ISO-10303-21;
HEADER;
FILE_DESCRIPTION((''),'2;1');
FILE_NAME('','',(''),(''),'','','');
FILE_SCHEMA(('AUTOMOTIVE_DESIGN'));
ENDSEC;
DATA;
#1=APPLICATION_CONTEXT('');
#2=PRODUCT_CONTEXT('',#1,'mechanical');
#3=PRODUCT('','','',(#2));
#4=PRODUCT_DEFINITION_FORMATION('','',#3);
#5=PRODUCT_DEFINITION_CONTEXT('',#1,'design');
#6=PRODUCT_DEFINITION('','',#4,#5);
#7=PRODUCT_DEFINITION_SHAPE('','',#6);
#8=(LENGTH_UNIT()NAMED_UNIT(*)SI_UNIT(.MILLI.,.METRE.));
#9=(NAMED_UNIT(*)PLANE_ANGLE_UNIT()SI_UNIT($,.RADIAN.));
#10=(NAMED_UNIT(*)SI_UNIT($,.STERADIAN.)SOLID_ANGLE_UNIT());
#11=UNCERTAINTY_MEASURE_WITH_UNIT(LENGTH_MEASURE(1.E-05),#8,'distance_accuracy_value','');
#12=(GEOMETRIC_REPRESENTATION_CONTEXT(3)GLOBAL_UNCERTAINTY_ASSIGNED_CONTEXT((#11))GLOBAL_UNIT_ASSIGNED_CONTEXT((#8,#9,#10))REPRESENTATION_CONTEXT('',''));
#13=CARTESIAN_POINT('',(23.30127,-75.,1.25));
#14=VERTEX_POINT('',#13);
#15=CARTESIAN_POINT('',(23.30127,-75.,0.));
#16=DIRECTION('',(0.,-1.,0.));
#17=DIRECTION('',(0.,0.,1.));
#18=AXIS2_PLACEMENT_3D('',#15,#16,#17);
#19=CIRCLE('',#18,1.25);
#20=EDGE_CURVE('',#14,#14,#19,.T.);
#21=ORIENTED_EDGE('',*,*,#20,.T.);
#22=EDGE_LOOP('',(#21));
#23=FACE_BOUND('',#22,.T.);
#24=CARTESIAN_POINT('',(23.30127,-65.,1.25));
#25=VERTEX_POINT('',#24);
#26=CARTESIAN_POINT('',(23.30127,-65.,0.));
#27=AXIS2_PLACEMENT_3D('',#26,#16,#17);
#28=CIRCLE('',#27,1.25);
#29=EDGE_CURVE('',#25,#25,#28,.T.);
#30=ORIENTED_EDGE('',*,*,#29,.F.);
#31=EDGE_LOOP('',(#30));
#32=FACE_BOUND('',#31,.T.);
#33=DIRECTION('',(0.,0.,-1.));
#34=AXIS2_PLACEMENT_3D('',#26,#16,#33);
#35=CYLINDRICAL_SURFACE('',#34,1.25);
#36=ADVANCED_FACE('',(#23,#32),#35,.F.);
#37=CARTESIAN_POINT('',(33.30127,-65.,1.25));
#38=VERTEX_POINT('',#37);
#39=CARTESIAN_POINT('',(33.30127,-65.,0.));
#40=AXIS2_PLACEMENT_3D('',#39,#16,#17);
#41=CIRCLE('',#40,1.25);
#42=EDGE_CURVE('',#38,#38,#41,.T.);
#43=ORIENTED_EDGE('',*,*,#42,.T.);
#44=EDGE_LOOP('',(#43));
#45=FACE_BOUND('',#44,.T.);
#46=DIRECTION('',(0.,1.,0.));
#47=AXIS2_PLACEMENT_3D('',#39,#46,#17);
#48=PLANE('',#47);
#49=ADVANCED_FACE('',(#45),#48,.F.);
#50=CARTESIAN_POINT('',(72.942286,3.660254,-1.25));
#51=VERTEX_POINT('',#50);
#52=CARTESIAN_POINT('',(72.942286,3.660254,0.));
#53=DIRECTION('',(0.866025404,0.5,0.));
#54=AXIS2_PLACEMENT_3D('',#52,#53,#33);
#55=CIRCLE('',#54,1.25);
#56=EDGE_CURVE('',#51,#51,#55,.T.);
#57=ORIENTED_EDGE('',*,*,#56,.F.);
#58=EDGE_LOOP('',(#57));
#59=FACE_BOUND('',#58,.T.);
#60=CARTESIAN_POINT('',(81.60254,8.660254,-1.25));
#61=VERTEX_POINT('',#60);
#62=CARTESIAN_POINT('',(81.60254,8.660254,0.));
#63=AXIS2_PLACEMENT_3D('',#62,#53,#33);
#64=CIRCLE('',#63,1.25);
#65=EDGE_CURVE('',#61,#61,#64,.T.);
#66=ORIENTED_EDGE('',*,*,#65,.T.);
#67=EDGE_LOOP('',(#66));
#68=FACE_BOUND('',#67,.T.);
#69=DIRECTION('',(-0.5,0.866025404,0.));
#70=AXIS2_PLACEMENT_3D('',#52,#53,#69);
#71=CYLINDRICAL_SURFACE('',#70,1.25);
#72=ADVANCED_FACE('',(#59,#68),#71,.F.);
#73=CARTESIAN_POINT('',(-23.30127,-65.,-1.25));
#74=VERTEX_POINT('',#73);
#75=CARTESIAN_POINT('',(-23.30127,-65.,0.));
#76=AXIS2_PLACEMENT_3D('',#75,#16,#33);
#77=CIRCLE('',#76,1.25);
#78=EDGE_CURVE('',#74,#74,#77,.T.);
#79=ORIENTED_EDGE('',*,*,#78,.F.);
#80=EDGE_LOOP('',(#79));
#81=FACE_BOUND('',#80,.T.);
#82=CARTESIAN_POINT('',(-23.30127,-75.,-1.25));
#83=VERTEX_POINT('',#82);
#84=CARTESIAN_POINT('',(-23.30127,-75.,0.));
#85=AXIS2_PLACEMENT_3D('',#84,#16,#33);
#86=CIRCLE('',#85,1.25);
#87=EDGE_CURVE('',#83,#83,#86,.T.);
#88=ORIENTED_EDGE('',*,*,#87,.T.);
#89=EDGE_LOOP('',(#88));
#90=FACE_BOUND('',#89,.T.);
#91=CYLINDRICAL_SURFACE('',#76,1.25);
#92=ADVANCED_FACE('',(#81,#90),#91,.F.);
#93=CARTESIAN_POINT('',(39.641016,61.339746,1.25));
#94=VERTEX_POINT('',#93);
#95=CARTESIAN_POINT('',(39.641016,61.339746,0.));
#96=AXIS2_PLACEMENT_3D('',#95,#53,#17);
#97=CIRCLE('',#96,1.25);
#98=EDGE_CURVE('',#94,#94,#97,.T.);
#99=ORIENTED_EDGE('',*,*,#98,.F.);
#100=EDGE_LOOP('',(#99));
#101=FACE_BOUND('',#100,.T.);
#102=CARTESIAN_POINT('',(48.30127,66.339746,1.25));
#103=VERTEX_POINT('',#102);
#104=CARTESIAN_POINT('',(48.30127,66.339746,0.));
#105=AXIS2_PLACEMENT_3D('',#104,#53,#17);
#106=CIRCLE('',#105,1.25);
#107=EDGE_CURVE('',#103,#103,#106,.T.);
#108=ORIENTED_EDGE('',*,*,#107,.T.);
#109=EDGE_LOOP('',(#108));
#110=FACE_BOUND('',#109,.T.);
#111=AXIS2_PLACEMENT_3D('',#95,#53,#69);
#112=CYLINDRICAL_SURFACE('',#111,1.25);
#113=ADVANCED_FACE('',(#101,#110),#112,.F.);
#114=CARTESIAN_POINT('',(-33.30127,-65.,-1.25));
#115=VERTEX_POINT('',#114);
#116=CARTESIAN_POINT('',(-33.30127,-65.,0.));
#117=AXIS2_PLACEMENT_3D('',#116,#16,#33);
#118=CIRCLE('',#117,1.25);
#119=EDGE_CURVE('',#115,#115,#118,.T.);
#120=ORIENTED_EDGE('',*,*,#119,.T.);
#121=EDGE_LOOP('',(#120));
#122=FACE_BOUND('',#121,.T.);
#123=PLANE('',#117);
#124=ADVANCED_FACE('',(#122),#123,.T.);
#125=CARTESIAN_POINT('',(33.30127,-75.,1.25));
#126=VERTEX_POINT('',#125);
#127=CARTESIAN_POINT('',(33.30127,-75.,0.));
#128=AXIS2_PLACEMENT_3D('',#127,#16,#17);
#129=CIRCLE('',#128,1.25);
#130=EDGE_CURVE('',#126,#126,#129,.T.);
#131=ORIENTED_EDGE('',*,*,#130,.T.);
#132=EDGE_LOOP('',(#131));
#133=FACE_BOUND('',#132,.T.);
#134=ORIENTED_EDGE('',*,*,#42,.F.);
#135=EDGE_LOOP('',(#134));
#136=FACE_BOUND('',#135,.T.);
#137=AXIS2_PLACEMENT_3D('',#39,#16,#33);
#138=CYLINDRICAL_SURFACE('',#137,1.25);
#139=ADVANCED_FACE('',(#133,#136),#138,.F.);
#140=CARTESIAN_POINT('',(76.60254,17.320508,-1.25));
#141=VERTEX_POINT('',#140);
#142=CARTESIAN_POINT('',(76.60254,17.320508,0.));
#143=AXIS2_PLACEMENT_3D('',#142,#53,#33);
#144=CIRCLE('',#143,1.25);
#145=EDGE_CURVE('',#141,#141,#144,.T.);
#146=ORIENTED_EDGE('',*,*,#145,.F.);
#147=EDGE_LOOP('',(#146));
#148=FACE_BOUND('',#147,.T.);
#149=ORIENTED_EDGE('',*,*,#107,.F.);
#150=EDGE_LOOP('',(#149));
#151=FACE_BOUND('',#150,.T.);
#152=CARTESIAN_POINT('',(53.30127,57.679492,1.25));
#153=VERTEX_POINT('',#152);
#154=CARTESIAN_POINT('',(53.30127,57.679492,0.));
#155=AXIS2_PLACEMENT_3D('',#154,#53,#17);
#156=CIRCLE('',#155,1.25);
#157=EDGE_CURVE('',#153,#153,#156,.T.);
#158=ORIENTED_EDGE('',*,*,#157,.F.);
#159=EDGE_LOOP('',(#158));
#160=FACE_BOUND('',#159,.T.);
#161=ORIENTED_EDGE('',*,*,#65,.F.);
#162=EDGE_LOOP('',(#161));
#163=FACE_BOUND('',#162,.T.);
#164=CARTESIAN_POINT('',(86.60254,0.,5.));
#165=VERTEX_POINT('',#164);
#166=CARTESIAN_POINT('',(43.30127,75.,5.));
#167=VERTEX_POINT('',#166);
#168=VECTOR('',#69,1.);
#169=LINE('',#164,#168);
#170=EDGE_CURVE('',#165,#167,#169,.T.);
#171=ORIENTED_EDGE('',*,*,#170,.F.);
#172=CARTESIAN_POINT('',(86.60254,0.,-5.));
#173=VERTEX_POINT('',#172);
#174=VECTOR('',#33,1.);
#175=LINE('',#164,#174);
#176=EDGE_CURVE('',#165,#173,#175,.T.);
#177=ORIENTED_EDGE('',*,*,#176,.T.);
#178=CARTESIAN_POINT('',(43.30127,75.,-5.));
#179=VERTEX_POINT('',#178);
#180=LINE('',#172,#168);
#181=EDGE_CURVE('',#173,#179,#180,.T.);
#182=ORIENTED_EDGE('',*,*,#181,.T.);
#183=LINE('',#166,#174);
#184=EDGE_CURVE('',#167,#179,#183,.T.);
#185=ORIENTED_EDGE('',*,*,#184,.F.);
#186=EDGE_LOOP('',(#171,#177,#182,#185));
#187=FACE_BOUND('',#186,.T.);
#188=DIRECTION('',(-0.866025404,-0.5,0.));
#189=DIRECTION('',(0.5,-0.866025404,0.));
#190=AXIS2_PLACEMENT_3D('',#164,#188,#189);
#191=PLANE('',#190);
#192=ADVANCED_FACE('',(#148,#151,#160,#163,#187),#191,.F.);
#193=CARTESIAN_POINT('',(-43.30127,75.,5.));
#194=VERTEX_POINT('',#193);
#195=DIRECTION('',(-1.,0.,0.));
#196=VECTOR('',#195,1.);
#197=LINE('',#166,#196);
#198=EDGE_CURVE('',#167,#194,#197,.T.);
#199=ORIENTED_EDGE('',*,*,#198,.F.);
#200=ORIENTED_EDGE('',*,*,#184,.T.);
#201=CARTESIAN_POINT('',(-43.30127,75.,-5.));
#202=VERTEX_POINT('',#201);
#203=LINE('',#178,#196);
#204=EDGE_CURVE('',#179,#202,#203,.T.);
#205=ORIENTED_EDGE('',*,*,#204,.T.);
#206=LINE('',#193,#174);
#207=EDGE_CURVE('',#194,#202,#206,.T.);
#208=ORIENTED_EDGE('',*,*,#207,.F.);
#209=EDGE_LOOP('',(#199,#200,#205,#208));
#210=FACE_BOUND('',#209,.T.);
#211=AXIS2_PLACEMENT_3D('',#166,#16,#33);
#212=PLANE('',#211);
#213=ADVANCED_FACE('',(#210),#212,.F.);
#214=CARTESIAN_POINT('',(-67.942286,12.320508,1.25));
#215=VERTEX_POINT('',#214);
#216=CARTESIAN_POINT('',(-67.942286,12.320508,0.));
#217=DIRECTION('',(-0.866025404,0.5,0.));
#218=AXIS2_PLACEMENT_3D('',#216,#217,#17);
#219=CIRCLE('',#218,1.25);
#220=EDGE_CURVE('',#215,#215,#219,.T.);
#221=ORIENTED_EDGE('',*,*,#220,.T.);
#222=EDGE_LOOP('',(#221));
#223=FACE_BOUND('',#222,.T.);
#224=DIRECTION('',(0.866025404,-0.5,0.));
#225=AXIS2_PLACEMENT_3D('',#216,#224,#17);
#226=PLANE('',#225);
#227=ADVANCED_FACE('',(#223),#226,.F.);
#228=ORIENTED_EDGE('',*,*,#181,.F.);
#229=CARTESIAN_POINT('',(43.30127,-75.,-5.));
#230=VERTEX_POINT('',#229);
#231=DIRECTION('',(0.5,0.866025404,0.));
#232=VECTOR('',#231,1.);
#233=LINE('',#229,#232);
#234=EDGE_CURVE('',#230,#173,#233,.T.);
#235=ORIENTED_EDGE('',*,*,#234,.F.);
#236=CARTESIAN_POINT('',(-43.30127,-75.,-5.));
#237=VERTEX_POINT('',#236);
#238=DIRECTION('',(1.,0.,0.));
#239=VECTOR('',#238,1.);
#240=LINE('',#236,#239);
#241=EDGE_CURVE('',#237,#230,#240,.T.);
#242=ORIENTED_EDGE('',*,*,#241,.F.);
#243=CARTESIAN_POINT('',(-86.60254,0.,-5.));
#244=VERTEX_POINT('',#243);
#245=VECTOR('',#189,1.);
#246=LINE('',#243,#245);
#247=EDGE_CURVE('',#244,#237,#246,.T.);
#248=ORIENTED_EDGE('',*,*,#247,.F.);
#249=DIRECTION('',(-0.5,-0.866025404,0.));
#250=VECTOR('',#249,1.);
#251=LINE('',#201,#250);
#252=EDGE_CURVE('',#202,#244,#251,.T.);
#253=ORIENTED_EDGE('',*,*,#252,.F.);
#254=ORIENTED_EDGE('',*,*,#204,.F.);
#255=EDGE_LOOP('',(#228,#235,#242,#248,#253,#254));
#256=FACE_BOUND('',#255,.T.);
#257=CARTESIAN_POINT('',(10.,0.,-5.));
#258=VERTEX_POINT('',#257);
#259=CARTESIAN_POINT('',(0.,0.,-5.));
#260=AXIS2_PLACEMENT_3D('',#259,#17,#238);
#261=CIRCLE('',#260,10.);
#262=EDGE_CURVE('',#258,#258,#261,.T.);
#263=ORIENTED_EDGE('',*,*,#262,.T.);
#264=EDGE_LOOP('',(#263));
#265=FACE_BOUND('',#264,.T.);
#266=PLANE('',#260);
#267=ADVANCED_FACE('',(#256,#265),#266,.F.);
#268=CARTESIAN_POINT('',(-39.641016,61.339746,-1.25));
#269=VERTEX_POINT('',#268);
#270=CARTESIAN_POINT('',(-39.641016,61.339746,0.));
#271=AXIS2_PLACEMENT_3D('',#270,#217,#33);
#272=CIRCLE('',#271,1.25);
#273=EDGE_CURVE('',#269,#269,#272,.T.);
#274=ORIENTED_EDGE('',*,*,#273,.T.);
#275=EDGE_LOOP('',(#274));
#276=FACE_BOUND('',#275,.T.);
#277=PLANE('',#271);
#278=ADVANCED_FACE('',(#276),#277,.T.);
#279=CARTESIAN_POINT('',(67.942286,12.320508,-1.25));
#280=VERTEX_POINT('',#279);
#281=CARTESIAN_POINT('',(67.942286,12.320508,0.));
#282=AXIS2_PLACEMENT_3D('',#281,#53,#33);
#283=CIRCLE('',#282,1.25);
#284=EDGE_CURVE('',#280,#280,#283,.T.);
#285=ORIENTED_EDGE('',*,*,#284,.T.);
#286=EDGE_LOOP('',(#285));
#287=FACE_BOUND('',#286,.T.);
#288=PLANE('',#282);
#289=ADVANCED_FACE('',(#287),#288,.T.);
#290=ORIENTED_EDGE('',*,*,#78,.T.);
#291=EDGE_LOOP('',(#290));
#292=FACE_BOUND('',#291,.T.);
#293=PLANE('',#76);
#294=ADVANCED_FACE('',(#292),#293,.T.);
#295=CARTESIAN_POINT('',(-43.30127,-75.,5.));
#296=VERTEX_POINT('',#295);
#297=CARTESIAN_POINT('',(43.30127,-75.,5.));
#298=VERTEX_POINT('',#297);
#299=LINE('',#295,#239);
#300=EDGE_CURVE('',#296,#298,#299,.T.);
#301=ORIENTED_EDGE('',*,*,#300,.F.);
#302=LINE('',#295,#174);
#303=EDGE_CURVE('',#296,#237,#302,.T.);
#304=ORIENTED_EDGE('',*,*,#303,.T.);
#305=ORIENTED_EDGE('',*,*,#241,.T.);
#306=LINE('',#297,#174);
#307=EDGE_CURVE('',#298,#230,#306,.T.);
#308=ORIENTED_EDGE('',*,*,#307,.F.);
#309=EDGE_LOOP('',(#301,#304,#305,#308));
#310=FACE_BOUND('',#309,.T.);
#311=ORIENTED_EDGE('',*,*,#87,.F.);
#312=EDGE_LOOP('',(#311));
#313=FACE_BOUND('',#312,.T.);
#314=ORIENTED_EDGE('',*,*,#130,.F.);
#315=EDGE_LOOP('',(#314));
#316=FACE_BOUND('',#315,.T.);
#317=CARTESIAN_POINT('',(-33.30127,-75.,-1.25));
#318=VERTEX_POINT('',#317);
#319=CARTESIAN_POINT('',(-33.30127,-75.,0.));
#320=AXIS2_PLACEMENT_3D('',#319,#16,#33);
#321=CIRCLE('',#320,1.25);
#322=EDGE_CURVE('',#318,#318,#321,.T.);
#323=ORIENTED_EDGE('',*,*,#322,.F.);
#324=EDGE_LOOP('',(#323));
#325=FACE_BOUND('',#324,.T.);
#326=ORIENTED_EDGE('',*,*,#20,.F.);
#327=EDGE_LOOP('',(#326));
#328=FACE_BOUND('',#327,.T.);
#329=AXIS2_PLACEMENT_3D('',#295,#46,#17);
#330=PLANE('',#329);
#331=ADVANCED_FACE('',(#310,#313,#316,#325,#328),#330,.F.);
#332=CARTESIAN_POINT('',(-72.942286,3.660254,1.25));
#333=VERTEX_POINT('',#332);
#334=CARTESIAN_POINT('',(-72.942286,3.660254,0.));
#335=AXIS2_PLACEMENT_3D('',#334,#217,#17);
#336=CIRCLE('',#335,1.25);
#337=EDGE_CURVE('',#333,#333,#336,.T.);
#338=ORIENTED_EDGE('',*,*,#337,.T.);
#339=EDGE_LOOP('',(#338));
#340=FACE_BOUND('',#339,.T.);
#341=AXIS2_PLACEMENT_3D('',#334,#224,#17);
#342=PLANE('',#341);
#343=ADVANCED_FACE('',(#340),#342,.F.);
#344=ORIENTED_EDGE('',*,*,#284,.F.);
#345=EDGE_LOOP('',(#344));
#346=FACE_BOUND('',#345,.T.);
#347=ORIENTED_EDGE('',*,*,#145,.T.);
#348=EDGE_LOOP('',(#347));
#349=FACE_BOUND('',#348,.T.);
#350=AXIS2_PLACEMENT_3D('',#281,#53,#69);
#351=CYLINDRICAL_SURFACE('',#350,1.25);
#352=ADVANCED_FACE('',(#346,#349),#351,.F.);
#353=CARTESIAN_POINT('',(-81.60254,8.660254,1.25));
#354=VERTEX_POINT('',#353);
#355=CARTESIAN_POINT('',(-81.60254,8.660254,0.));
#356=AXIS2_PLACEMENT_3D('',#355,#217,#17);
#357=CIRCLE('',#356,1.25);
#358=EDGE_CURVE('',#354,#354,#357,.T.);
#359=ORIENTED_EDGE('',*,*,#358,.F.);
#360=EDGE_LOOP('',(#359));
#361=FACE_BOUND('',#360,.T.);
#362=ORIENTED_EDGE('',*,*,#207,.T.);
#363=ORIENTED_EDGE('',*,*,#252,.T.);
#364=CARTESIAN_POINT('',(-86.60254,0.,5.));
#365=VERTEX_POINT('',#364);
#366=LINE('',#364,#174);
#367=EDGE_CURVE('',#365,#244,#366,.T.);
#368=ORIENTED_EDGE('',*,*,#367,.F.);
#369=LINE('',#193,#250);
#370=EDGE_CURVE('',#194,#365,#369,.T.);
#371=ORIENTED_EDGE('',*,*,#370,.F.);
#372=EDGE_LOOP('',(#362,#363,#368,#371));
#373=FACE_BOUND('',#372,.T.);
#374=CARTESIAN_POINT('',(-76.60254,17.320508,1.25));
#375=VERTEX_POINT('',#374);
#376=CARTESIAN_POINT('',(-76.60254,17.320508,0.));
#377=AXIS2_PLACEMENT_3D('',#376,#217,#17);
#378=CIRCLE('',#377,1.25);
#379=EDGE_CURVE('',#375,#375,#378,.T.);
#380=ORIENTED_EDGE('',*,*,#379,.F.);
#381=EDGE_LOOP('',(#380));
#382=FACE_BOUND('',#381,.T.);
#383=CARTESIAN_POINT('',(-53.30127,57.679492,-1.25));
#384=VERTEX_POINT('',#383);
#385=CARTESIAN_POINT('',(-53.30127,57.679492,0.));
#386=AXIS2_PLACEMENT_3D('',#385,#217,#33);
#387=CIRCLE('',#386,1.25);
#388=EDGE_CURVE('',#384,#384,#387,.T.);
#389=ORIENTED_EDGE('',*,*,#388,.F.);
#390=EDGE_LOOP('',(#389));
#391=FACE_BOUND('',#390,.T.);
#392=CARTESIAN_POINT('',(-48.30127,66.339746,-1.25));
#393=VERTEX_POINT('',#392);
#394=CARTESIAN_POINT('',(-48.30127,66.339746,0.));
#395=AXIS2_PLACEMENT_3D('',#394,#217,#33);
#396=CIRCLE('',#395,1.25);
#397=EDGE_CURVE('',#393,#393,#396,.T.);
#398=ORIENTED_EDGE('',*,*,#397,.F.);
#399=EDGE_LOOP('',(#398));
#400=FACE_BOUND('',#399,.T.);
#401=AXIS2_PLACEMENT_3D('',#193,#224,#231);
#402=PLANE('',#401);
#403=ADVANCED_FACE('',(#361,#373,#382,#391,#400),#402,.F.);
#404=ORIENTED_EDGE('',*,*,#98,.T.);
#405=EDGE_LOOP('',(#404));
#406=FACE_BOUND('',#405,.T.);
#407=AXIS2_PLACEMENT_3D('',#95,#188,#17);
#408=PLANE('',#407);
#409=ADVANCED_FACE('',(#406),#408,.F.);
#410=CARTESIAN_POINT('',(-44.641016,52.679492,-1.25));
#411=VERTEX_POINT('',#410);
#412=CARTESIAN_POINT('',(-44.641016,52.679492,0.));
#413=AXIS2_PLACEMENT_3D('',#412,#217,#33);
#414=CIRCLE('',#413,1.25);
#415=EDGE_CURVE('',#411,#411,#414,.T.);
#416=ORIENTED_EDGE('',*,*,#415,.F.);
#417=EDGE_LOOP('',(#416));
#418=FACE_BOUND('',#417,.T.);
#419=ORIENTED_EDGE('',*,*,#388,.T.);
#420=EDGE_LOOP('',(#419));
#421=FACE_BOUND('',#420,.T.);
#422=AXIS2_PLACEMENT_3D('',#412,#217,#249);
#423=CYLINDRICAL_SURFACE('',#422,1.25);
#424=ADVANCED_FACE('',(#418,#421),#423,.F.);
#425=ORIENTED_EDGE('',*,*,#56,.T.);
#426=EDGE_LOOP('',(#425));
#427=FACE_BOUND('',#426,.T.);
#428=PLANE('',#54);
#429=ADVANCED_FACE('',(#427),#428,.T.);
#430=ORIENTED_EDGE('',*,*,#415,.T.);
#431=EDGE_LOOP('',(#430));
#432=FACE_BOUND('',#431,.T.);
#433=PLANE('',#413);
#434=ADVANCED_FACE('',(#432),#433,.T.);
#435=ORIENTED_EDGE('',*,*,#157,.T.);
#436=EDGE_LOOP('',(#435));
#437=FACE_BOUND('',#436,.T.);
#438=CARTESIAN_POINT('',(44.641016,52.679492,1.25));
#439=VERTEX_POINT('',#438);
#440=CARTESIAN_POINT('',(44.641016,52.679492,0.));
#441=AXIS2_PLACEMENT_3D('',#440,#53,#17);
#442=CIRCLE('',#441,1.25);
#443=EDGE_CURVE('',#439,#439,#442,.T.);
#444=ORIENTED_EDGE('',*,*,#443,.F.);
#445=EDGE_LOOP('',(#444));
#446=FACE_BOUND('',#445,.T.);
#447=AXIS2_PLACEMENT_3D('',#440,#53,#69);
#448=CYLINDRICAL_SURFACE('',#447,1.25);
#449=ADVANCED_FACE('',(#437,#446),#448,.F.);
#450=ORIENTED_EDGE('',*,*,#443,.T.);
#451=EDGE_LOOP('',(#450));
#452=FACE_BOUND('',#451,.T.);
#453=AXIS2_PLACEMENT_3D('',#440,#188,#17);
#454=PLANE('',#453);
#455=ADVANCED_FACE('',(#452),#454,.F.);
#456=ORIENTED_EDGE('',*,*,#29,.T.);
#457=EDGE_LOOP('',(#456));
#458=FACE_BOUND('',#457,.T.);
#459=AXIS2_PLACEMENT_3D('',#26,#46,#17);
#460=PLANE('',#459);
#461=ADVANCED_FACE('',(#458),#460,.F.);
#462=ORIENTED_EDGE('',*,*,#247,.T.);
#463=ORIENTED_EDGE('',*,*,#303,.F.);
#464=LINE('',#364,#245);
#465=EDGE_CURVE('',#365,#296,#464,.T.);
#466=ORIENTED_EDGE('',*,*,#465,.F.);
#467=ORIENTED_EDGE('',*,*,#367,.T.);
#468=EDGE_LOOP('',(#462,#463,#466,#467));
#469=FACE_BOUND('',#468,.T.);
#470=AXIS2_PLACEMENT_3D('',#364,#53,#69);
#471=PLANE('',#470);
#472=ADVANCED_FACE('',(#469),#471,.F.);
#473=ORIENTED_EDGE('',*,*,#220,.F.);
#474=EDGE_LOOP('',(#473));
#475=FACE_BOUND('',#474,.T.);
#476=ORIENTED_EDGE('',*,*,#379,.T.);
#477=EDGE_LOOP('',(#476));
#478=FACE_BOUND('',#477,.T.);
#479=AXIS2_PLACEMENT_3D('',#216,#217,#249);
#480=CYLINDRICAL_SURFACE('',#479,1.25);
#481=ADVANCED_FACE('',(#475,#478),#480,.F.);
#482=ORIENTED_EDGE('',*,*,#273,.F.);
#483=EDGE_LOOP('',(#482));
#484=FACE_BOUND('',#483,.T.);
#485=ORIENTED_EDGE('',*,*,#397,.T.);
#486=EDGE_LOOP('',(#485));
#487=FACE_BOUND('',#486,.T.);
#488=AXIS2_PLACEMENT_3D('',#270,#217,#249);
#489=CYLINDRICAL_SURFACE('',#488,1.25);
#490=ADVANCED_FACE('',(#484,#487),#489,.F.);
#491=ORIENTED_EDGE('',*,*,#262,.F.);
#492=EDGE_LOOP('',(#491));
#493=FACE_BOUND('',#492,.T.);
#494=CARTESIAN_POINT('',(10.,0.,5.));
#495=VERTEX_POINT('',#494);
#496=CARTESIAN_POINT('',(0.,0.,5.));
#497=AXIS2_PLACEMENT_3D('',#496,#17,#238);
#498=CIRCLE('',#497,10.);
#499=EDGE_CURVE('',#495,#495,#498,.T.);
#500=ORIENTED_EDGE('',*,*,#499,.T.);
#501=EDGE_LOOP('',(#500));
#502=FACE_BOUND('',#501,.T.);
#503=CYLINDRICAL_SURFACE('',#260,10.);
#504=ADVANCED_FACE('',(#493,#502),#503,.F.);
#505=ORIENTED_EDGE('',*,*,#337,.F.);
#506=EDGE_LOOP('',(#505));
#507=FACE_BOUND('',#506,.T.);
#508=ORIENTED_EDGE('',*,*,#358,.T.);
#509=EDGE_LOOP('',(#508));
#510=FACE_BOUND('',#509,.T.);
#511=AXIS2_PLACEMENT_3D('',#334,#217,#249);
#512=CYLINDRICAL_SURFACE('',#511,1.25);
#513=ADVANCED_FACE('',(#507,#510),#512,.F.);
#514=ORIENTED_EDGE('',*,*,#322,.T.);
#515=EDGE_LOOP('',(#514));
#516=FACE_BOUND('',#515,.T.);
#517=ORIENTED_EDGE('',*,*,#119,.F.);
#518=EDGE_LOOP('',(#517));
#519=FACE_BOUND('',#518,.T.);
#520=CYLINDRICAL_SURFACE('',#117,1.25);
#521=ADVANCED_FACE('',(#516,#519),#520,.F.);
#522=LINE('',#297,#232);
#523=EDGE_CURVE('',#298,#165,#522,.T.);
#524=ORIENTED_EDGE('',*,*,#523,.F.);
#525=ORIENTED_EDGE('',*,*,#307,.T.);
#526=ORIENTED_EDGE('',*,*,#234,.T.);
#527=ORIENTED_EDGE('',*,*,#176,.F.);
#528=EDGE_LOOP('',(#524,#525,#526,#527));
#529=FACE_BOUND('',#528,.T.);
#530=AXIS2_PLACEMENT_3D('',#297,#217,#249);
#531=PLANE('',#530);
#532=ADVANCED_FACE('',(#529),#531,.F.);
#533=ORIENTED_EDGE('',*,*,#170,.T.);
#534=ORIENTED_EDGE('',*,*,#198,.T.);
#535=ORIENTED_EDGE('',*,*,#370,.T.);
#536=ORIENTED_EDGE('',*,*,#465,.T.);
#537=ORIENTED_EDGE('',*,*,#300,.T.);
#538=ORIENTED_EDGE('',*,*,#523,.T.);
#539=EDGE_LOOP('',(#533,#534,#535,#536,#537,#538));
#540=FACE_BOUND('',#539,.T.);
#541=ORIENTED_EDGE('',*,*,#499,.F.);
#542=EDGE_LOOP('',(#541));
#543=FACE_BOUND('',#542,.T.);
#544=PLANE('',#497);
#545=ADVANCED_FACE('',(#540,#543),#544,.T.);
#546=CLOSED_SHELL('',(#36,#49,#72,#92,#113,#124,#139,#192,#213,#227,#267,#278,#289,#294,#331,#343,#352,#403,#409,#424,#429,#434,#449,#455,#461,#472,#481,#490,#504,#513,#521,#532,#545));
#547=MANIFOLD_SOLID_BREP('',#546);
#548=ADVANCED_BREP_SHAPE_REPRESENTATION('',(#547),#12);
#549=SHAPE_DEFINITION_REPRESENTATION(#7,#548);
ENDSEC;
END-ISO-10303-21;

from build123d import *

# Parameters (mm, degrees)
BOSS_EXTRUDE1_DEPTH = 5
SKETCH2_R           = 1.25
CUT_EXTRUDE1_DEPTH  = 10
SKETCH3_R           = 10
CUT_EXTRUDE2_DEPTH  = 116
CIRPATTERN1_COUNT   = 3


with BuildPart() as part:
    # Sketch1 → Boss-Extrude1 (new, symmetric)
    with BuildSketch(Plane.XY):
        Polygon((-43.301270189, -75), (43.301270189, -75), (86.602540378, 0), (43.301270189, 75), (-43.301270189, 75), (-86.602540378, 0), align=None)
    extrude(amount=BOSS_EXTRUDE1_DEPTH, both=True)

    # Sketch2 → Cut-Extrude1 (cut)
    with BuildSketch(Plane.XZ.offset(75)):
        with Locations(Location((-33.301270189, 0, 0), (0, 0, 270))):
            Circle(SKETCH2_R)
        with Locations(Location((-23.301270189, 0, 0), (0, 0, 270))):
            Circle(SKETCH2_R)
        with Locations(Location((23.301270189, 0, 0), (0, 0, 90))):
            Circle(SKETCH2_R)
        with Locations(Location((33.301270189, 0, 0), (0, 0, 90))):
            Circle(SKETCH2_R)
    cut_extrude1 = extrude(amount=-CUT_EXTRUDE1_DEPTH, mode=Mode.SUBTRACT)

    # Sketch3 → Cut-Extrude2 (cut, through all)
    with BuildSketch(Plane.XY.offset(5)):
        Circle(SKETCH3_R)
    extrude(amount=-CUT_EXTRUDE2_DEPTH, mode=Mode.SUBTRACT)

    # CirPattern1: Cut-Extrude1 ×3 about axis
    cirpattern1_axis = Axis((0, 0, 0), (0, 0, 1))
    for i in range(1, CIRPATTERN1_COUNT):
        add(cut_extrude1.rotate(cirpattern1_axis, i * 360 / CIRPATTERN1_COUNT), mode=Mode.SUBTRACT)


solid = part.part
